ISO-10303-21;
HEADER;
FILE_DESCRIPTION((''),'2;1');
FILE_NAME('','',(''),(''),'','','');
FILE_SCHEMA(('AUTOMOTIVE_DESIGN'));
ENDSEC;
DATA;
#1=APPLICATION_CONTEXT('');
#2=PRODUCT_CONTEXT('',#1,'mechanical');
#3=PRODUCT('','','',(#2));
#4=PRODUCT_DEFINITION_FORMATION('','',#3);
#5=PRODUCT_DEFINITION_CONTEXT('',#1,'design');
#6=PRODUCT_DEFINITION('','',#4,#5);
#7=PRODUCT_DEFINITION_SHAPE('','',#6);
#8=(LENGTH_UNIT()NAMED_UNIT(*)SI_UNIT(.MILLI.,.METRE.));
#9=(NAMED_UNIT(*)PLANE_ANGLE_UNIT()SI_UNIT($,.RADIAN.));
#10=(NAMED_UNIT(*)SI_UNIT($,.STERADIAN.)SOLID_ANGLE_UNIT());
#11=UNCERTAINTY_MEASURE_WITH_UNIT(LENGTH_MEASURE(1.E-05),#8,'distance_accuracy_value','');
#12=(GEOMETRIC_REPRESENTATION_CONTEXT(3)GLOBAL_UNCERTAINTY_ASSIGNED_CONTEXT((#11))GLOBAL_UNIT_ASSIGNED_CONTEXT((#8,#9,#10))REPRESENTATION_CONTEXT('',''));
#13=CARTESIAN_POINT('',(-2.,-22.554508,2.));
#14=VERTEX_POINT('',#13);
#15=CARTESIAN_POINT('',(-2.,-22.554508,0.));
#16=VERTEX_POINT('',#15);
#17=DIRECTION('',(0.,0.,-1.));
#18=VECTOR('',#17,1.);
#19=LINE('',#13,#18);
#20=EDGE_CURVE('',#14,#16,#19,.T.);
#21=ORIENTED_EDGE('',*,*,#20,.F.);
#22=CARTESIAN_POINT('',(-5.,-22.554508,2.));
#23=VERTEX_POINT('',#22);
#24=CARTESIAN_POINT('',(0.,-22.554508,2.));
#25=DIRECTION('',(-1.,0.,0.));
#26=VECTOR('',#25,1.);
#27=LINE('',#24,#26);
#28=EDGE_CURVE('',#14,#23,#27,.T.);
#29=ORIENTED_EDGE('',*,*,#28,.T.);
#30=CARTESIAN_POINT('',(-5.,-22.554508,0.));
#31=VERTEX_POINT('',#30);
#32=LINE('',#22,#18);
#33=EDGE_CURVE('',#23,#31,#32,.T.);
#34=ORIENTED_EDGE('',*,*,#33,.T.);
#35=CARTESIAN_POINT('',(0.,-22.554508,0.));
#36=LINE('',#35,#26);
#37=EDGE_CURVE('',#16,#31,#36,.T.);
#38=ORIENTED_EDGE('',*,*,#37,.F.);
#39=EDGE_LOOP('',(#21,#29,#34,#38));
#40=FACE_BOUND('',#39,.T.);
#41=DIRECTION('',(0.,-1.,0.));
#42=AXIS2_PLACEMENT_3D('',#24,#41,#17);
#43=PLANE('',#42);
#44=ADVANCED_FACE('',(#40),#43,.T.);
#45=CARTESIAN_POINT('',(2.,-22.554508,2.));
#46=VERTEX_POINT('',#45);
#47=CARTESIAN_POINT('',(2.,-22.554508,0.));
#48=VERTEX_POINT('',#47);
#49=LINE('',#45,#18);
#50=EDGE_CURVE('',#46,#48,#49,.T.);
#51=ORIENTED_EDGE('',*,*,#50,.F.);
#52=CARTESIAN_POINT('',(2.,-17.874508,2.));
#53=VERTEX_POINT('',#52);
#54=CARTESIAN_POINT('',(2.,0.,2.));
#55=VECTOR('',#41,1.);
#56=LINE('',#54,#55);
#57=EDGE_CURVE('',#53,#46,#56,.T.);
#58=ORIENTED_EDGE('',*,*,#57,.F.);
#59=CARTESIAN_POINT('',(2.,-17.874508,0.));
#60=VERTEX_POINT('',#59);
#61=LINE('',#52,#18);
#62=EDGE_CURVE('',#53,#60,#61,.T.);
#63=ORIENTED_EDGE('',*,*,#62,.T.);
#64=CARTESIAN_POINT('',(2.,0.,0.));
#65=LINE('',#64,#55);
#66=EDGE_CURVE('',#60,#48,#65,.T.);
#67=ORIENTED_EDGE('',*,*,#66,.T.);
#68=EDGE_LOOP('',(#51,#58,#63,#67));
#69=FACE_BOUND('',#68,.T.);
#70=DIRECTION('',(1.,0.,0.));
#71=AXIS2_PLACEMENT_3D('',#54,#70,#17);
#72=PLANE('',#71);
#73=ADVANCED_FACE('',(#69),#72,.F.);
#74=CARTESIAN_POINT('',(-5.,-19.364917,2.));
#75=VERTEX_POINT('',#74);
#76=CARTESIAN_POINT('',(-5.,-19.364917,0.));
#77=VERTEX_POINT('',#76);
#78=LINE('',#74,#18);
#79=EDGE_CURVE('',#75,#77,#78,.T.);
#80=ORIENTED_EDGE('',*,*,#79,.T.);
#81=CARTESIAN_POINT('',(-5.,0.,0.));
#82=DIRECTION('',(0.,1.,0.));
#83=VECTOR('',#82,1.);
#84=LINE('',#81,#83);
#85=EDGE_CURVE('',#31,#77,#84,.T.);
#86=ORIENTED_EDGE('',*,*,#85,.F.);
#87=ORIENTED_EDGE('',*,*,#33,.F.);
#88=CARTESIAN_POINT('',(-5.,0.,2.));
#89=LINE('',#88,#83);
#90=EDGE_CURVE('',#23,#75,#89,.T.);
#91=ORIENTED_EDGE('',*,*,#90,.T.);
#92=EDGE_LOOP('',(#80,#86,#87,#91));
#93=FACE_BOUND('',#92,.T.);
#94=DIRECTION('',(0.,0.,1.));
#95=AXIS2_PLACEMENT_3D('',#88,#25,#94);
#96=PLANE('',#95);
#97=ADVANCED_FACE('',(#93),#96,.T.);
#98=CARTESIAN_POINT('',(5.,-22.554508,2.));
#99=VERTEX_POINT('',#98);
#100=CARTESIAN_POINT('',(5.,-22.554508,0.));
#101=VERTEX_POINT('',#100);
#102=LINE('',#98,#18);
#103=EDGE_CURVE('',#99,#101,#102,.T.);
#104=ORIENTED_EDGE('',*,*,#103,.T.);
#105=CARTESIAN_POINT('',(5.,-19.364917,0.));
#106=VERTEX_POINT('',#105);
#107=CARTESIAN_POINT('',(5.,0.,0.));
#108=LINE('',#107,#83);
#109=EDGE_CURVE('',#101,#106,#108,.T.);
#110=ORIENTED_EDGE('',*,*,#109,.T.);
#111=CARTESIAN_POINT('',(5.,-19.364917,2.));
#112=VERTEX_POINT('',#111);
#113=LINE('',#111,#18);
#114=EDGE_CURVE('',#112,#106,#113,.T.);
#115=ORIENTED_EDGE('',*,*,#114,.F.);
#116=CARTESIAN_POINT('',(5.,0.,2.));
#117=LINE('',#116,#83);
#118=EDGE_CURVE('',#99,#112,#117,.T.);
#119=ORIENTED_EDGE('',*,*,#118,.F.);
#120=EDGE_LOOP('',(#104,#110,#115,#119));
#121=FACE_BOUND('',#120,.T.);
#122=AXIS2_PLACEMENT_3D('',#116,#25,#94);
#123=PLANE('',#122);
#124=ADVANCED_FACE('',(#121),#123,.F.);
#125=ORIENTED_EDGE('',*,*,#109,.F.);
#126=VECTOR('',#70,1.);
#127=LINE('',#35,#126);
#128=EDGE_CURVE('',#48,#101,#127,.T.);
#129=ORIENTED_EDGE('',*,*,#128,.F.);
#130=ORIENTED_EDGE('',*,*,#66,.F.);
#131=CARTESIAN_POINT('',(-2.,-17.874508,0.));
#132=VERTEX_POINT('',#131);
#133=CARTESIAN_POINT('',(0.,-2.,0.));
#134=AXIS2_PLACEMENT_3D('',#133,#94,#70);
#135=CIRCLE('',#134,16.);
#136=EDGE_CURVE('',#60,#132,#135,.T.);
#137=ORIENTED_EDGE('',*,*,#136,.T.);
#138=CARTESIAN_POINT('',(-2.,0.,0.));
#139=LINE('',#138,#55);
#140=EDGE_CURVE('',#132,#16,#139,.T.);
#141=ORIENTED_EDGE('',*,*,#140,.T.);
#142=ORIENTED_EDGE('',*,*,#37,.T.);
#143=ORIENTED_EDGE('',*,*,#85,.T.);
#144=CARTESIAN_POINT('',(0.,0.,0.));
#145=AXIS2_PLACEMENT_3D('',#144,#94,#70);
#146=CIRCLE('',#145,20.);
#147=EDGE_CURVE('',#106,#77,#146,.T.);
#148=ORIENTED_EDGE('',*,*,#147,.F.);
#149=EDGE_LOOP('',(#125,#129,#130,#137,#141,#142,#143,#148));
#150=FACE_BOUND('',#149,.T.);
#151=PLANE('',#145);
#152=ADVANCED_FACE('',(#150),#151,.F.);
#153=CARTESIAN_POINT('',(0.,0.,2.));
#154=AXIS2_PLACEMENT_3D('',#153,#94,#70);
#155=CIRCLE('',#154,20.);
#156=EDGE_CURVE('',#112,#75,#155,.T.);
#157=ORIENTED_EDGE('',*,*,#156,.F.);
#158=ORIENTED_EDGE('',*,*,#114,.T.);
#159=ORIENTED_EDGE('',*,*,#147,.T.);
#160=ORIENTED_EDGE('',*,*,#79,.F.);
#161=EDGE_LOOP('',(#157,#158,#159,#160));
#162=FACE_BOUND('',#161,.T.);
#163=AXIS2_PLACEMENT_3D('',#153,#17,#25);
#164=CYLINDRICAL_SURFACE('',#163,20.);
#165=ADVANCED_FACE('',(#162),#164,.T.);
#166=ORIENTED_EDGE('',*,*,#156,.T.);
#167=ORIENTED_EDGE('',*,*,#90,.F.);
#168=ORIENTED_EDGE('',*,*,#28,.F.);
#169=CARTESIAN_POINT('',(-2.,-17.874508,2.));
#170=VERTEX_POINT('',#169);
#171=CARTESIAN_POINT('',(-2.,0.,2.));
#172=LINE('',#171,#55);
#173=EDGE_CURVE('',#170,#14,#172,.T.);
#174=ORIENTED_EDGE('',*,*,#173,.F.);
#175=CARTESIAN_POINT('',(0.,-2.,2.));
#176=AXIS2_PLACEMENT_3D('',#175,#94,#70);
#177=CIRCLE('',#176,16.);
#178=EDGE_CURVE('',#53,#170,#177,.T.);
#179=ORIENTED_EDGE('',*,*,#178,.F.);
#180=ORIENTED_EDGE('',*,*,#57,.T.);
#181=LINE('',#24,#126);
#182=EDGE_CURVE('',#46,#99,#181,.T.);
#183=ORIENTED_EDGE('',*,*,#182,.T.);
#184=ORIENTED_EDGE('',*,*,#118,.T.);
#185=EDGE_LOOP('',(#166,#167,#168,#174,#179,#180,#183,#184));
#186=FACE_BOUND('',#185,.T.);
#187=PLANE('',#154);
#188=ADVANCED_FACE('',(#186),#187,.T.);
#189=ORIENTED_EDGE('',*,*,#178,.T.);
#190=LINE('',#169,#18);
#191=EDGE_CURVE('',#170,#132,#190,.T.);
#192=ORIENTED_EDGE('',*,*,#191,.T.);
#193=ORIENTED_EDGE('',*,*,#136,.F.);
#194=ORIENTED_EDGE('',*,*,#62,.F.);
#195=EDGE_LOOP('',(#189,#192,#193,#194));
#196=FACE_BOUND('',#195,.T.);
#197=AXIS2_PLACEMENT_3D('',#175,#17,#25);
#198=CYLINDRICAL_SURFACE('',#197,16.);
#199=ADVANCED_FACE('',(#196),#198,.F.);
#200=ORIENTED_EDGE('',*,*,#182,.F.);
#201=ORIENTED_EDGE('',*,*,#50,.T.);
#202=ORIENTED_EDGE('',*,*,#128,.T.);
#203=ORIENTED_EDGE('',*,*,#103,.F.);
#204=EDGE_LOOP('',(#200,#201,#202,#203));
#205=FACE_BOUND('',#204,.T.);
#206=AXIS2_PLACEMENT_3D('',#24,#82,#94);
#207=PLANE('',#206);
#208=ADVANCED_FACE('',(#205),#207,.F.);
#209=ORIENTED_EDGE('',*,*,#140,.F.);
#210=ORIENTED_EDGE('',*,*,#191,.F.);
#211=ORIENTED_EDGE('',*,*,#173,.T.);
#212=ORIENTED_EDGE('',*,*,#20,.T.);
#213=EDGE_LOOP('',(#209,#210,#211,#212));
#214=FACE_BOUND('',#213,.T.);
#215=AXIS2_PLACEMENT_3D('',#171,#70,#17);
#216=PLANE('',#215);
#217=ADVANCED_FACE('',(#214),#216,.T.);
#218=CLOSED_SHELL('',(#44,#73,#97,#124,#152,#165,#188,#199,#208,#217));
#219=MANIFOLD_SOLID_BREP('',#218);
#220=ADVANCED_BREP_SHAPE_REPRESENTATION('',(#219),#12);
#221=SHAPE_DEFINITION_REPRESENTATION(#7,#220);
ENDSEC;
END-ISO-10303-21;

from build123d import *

# Parameters (mm, degrees)
BOSS_EXTRUDE1_DEPTH = 2


with BuildPart() as part:
    # Sketch2 → Boss-Extrude1 (new body)
    with BuildSketch(Plane.XY):
        with BuildLine():
            Line((5, -22.554507866), (5, -19.364916731))
            ThreePointArc((5, -19.364916731), (0, 20), (-5, -19.364916731))
            Line((-5, -19.364916731), (-5, -22.554507866))
            Line((-5, -22.554507866), (-2, -22.554507866))
            Line((-2, -22.554507866), (-2, -17.874507866))
            ThreePointArc((-2, -17.874507866), (0, 14), (2, -17.874507866))
            Line((2, -17.874507866), (2, -22.554507866))
            Line((2, -22.554507866), (5, -22.554507866))
        make_face()
    extrude(amount=BOSS_EXTRUDE1_DEPTH)


solid = part.part
